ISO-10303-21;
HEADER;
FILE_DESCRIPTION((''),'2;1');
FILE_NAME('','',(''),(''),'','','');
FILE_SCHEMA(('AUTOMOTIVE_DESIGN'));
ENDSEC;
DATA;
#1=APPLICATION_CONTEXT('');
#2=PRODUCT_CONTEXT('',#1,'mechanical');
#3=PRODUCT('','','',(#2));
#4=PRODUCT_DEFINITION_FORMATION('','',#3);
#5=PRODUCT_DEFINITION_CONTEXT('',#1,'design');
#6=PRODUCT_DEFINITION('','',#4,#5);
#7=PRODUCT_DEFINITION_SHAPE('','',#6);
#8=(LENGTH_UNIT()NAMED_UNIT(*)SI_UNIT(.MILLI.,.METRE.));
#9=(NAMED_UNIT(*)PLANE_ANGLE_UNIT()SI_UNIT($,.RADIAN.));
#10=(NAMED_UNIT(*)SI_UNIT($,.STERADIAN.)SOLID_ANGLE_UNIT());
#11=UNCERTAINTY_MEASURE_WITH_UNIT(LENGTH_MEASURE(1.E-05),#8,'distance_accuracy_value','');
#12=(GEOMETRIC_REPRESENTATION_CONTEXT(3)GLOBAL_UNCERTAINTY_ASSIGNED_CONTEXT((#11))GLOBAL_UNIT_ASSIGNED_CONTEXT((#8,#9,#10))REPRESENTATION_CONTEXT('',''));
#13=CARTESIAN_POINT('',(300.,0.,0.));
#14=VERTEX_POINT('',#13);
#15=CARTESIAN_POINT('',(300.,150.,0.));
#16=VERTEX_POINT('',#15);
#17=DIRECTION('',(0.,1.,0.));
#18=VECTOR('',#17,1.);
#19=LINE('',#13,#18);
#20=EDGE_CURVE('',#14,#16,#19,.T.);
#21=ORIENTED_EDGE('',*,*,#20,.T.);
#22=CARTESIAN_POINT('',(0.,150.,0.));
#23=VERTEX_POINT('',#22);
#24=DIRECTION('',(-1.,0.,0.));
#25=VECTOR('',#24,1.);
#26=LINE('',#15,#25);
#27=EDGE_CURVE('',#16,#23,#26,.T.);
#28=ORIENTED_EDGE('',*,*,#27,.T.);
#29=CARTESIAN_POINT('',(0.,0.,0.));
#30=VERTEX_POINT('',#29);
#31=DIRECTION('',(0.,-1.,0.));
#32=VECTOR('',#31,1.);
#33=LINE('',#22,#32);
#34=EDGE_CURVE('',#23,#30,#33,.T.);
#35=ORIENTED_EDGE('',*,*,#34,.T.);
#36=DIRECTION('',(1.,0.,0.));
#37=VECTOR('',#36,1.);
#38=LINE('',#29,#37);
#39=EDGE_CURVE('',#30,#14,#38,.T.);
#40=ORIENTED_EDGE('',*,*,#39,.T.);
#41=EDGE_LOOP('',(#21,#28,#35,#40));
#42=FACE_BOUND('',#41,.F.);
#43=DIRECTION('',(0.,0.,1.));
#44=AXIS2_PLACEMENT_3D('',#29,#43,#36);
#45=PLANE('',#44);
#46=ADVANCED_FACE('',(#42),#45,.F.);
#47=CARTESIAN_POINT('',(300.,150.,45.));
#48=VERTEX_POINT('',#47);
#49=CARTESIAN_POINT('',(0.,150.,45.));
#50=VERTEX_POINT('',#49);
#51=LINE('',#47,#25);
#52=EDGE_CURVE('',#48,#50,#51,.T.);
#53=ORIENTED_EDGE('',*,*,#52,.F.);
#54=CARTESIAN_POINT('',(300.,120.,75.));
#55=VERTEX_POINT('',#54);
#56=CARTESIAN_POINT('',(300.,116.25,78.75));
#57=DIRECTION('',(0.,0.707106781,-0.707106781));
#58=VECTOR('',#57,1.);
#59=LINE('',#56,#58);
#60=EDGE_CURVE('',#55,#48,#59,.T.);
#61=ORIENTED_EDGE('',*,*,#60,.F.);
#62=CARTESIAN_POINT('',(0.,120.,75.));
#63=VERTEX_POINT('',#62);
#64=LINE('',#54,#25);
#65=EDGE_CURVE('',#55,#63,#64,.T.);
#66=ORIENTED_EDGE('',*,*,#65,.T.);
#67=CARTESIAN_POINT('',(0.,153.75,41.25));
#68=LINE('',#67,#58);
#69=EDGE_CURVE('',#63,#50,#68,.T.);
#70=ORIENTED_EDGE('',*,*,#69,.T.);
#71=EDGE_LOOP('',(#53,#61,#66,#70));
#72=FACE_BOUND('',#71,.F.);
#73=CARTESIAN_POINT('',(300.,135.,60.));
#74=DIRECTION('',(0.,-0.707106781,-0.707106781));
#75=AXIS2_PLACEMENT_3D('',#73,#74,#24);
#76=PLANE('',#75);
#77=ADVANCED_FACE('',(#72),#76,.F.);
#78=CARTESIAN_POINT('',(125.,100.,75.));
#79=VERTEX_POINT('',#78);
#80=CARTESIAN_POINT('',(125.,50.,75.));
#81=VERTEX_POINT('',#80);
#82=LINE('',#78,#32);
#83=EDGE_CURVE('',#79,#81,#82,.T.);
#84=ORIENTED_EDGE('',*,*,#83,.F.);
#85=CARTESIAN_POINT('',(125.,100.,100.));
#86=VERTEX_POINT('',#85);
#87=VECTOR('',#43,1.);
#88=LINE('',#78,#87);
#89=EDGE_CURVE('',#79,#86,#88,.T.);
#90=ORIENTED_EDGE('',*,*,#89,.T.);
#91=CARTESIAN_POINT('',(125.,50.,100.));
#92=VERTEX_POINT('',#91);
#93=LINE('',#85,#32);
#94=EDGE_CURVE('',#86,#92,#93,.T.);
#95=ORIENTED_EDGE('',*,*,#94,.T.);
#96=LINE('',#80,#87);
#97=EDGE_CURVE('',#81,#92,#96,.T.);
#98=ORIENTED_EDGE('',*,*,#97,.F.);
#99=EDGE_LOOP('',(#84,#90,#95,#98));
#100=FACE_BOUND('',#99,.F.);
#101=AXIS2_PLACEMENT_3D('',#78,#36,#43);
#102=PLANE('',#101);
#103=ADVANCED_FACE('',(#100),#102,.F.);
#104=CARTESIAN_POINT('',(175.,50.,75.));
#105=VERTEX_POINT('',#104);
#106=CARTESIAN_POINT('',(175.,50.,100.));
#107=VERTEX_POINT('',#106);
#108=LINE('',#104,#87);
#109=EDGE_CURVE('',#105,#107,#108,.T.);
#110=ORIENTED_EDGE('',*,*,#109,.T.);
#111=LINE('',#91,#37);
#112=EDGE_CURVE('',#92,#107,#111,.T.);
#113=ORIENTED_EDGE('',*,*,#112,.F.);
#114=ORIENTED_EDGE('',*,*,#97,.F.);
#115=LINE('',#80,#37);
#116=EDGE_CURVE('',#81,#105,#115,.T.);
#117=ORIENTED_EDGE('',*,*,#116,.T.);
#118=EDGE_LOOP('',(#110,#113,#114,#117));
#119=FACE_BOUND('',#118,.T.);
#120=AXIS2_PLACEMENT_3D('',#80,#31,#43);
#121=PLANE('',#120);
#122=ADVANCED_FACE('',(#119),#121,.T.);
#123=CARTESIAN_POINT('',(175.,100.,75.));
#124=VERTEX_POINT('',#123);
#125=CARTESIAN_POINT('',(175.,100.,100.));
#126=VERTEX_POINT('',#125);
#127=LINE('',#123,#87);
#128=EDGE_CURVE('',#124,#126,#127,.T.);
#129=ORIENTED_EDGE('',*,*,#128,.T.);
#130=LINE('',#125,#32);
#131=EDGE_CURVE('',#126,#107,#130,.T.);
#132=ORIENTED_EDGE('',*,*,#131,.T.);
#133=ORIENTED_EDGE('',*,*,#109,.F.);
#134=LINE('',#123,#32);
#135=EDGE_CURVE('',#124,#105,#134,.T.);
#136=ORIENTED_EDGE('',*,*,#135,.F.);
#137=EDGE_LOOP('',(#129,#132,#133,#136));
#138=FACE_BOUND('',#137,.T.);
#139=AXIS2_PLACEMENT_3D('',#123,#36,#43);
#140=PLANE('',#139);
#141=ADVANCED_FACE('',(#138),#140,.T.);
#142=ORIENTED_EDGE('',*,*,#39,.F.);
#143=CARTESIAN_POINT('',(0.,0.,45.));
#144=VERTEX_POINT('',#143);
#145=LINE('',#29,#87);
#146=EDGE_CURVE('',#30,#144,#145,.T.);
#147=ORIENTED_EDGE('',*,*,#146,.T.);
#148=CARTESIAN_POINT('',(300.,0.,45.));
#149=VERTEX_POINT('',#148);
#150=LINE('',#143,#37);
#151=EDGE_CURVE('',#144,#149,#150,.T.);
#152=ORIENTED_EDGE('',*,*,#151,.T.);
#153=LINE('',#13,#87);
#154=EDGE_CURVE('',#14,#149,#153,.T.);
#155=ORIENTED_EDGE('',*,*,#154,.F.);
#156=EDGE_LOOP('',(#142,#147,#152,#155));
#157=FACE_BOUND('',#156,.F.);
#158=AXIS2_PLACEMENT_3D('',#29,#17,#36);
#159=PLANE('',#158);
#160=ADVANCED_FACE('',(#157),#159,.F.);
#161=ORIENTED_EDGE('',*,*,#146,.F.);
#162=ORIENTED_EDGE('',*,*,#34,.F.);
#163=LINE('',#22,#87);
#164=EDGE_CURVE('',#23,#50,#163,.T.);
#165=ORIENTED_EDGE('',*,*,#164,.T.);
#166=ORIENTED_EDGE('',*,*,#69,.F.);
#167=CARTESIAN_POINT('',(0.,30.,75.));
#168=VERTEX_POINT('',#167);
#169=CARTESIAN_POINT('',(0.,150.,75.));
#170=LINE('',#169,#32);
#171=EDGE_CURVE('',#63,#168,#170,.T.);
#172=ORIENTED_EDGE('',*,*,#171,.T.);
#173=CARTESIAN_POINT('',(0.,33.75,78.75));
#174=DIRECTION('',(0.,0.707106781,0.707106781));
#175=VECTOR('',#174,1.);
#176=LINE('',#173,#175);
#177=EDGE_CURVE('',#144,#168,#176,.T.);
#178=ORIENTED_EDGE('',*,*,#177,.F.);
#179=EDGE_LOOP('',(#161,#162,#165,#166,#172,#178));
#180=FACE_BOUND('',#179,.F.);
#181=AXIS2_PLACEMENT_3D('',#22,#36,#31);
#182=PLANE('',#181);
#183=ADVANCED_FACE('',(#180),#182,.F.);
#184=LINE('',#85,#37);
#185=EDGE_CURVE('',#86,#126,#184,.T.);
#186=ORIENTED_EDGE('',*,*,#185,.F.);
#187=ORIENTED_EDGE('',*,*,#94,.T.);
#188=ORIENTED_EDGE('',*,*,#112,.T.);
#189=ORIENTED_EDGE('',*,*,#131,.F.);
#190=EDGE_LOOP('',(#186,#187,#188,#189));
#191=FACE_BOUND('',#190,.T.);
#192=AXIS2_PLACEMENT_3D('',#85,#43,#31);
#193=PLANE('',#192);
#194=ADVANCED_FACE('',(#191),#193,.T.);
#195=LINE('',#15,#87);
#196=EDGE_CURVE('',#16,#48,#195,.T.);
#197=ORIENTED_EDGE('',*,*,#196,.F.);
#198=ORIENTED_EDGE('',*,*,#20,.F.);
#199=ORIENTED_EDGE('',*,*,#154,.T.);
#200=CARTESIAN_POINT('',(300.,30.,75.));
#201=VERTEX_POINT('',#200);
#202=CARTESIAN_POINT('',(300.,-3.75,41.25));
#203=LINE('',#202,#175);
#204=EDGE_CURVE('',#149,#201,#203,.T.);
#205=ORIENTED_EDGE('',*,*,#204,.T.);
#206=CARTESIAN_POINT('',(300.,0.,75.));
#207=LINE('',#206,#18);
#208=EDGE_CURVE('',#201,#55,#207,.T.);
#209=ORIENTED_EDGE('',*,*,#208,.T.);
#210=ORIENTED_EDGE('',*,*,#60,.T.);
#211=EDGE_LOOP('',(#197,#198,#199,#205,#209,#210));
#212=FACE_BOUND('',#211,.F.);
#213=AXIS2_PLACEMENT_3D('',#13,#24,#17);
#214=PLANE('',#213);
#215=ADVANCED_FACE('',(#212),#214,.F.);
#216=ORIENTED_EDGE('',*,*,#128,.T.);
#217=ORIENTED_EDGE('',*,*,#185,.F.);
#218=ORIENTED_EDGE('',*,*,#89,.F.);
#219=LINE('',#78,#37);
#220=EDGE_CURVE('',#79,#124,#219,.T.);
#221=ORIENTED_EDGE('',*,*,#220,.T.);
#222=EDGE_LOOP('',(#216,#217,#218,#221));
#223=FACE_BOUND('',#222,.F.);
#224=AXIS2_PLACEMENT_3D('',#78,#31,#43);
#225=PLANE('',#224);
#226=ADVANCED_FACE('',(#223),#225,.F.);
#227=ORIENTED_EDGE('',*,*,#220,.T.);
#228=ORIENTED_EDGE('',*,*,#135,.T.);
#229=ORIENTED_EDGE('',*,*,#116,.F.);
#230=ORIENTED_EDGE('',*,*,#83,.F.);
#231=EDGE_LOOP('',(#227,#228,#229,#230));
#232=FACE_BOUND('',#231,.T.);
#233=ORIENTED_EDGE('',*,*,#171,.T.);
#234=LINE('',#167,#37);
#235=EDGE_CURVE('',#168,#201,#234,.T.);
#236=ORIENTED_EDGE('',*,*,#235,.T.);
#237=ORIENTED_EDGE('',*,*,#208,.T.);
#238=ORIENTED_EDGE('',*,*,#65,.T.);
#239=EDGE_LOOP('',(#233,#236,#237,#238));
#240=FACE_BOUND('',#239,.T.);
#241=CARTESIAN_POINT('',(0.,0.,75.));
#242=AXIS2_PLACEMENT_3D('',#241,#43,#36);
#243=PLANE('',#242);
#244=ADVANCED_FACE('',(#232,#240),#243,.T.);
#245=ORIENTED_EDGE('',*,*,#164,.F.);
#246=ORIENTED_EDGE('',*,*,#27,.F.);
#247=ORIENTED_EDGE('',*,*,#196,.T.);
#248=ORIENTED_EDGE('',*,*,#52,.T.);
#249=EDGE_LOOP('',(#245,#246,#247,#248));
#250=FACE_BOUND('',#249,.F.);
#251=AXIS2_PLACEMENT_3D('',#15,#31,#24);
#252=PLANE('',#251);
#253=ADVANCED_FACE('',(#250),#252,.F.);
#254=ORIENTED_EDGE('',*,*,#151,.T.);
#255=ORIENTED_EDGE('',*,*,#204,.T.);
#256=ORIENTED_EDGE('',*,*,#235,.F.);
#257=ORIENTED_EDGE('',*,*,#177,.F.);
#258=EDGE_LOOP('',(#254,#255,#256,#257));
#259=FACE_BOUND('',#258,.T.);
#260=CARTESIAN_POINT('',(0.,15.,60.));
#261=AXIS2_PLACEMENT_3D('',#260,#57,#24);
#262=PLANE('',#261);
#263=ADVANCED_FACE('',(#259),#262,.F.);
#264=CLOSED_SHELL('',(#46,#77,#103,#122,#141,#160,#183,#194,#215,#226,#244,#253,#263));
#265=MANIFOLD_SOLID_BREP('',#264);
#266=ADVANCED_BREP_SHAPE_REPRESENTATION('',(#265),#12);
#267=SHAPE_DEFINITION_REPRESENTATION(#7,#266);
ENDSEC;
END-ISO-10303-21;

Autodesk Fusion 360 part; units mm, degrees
sketch "Esquisse1" plane through (0, 0, 0) normal (0, 0, 1) x (1, 0, 0)
  line L0 (0, 0) -> (300, 0)
  line L1 (300, 0) -> (300, 150)
  line L2 (300, 150) -> (0, 150)
  line L3 (0, 150) -> (0, 0)
extrude "Extrusion1" add sketch "Esquisse1" along normal blind 75
chamfer "Chanfrein1" distance 30 angle 45 1 edges at (150, 0, 75)
chamfer "Chanfrein2" distance 30 angle 45 1 edges at (150, 150, 75)
box "BoitePrimitive1" add length 50 width 50 height 25 placed x (0, -1, 0) y (1, 0, 0) z (0, 0, 1) at (125, 100, 75)
